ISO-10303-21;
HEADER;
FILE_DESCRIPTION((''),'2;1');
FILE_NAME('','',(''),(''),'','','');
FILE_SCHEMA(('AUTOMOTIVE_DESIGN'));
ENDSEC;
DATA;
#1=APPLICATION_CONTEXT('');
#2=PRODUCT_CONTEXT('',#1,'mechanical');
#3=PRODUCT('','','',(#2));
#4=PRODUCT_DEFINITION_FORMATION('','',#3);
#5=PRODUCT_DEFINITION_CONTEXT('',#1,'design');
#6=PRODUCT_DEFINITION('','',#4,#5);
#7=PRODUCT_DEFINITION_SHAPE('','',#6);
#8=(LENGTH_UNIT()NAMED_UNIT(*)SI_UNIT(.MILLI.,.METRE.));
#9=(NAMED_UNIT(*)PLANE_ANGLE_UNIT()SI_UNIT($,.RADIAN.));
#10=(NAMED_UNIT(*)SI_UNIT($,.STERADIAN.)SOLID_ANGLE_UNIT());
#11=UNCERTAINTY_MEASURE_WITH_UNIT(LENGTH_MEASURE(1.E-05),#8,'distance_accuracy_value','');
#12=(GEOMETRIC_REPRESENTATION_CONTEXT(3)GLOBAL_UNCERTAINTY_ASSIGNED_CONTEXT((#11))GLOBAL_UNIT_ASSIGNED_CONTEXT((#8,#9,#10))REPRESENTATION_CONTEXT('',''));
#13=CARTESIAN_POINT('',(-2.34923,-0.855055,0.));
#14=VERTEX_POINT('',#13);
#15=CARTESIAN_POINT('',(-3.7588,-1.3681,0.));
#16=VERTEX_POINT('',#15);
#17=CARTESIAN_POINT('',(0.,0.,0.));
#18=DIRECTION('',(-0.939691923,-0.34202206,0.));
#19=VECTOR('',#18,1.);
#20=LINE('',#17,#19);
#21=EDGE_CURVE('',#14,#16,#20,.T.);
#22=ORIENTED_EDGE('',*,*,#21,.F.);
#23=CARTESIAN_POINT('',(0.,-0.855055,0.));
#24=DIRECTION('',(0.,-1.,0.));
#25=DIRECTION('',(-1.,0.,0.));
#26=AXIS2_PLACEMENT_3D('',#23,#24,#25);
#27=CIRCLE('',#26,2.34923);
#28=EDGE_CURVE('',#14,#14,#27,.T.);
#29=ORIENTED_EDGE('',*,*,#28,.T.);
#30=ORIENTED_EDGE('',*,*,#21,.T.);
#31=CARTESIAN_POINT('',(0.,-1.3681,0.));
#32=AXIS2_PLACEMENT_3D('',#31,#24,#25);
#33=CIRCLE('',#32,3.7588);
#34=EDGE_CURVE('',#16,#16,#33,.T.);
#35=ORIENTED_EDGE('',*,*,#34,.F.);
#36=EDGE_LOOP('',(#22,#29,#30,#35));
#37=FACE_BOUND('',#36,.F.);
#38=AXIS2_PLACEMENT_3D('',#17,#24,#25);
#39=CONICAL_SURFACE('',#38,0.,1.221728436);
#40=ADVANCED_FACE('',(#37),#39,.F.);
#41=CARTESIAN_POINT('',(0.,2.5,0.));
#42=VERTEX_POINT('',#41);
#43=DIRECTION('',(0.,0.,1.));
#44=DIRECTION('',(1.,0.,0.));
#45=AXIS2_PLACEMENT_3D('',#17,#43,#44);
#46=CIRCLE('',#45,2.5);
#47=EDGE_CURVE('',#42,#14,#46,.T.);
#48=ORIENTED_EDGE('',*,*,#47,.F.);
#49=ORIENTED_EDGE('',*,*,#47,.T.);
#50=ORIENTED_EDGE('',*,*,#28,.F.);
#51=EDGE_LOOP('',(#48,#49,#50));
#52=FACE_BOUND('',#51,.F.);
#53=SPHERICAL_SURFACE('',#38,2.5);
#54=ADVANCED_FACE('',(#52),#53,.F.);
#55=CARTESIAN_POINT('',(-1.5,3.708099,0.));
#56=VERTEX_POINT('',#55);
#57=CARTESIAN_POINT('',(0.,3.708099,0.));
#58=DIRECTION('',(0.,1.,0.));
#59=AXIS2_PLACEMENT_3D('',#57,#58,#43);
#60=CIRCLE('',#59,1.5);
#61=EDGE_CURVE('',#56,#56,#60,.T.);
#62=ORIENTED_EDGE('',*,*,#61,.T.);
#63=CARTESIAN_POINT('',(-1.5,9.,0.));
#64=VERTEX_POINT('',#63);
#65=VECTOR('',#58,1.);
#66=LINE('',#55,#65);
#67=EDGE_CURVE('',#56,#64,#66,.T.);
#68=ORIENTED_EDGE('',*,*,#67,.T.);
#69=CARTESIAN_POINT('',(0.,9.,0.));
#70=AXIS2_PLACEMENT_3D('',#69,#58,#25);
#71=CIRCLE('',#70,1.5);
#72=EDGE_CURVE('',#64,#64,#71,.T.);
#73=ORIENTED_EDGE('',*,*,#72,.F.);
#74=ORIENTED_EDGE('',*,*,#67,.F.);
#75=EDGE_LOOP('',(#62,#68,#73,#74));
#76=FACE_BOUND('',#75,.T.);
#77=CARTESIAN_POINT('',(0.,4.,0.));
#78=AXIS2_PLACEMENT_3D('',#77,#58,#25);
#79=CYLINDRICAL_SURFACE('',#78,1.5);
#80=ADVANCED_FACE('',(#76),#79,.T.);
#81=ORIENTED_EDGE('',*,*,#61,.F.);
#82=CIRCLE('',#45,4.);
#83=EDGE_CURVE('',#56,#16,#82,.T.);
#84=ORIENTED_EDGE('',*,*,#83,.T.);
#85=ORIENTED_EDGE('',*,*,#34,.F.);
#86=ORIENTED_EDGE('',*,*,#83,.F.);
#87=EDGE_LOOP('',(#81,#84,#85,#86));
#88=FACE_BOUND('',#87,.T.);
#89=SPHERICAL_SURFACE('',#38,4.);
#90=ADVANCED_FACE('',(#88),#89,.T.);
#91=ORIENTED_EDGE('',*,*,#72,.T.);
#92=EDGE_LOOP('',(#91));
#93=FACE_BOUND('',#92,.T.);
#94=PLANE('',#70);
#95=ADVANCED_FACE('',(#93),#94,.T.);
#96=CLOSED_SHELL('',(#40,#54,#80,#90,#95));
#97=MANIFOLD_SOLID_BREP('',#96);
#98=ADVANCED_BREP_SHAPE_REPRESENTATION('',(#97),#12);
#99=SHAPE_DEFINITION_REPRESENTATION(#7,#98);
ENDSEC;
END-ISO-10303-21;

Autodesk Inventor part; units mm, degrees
ref_plane "YZ Plane" through (0, 0, 0) normal (1, 0, 0) x (0, 1, 0)
ref_plane "XY Plane" through (0, 0, 0) normal (0, 0, 1) x (1, 0, 0)
sketch "스케치1" plane through (0, 0, 0) normal (0, 0, 1) x (1, 0, 0)
  circle A0 centre (0, 0) radius 2.5
  circle A1 centre (0, 0) radius 4
  line L0 (0, 4) -> (0, -4)
  line L1 (0, 0) -> (-3.7588, -1.3681)
  point P0 (-2.3492, -0.8551)
  point P1 (0, 2.5)
  dimension "d0" = 5
  dimension "d1" = 1.5
  dimension "d2" = 110
revolve "회전1" add sketch "스케치1" angle 360 about axis through (0, 4, 0) along (0, -1, 0) picked at (-3.3614, -0.8862) contours A0 L1 A1 L0
ref_plane "작업 평면1" through (0, 4, 0) normal (0, 1, 0) x (-1, 0, 0)
sketch "스케치2" plane through (0, 4, 0) normal (0, 1, 0) x (-1, 0, 0)
  circle A0 centre (0, 0) radius 1.5
  dimension "d4" = 3
extrude "돌출1" add sketch "스케치2" along normal blind 5 and the other way blind 1
properties part number "DummyBallJointF"
